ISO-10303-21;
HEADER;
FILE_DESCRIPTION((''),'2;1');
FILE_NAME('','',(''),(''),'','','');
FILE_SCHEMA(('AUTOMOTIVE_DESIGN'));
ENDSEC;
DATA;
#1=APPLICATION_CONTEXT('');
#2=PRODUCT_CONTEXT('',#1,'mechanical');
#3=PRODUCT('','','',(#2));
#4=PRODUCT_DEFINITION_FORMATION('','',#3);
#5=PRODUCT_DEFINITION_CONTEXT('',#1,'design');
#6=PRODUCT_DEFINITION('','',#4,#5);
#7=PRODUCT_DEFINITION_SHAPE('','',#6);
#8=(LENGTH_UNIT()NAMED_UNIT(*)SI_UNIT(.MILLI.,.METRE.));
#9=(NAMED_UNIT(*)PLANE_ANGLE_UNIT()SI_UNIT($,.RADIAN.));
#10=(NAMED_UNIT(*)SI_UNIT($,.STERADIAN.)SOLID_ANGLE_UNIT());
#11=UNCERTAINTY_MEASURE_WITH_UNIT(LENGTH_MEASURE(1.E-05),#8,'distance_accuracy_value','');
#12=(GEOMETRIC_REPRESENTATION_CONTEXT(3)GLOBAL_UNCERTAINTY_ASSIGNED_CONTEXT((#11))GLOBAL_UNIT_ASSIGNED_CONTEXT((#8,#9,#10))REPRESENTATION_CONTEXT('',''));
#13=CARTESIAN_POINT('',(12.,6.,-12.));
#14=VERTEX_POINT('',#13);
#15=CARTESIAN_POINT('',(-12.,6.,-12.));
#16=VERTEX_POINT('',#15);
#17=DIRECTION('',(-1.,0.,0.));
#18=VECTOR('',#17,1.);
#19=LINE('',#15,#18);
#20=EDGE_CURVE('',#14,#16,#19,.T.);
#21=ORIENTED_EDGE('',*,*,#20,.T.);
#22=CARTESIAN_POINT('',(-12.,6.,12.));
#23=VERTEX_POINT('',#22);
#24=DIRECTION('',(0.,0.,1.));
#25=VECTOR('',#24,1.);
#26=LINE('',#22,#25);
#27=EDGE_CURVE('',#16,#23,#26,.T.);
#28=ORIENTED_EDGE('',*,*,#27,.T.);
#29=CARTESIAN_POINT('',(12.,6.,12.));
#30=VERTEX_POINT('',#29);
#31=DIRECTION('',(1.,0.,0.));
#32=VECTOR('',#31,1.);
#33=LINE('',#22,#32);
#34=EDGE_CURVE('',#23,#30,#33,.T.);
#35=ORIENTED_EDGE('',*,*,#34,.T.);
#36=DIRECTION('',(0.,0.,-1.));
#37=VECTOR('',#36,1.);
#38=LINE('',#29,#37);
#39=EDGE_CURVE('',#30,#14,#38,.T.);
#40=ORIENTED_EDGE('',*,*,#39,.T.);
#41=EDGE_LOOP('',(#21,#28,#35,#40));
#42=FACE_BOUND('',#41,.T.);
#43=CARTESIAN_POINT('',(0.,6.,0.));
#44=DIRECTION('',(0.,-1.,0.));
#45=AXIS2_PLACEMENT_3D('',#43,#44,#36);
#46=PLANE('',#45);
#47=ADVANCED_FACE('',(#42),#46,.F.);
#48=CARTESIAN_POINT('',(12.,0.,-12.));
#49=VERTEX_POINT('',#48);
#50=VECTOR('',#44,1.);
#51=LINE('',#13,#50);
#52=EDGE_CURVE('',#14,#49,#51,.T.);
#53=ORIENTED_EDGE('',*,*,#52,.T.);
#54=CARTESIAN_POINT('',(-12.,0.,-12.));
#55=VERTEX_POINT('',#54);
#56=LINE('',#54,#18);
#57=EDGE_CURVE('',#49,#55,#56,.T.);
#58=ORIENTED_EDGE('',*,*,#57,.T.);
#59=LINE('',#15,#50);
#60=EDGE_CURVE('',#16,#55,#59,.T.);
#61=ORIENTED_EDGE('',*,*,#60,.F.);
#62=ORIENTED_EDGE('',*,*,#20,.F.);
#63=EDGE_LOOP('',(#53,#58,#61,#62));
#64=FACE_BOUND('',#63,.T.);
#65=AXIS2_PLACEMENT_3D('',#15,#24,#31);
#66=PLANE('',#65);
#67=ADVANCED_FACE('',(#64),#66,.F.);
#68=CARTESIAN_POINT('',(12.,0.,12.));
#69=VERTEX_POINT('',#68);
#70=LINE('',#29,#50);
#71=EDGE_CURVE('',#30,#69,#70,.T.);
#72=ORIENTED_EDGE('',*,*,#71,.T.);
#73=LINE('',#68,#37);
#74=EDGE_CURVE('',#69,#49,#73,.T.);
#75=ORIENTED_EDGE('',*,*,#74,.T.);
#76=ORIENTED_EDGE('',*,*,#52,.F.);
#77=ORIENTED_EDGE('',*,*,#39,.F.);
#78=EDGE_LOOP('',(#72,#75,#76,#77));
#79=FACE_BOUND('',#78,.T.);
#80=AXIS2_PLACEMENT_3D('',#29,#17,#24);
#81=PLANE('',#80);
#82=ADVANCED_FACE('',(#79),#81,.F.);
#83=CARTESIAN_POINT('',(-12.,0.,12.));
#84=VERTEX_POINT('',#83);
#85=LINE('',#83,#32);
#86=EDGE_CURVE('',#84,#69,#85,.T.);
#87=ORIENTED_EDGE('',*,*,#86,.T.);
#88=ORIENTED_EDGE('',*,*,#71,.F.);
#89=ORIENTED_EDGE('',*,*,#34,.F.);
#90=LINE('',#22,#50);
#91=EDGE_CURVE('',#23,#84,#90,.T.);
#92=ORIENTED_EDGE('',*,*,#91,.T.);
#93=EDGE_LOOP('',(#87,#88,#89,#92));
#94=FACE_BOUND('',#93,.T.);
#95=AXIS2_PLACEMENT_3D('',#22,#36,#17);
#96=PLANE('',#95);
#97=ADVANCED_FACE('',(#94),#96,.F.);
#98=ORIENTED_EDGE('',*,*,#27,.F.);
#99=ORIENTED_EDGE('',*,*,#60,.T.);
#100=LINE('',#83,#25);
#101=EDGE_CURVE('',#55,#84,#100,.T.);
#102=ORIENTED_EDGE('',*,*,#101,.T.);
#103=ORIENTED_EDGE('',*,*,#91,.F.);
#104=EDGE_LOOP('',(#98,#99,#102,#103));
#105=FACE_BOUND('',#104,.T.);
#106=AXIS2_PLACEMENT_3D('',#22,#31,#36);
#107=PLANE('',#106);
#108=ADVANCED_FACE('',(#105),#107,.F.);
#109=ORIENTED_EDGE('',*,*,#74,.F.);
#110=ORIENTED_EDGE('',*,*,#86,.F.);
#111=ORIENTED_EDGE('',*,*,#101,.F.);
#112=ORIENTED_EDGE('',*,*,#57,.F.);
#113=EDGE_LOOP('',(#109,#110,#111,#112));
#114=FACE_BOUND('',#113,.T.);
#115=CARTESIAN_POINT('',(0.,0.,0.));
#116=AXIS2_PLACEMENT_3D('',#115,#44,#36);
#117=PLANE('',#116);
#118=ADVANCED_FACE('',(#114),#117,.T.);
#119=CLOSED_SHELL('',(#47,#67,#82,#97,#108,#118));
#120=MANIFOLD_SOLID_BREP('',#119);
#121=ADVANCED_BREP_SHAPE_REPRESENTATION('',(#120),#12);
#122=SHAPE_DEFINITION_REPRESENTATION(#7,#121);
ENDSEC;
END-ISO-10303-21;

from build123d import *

# Parameters (mm, degrees)
SKETCH_1_W      = 24
SKETCH_1_H      = 24
EXTRUDE_1_DEPTH = 6


with BuildPart() as part:
    # Эскиз1 → Бобышка-Вытянуть1 (new body)
    with BuildSketch(Plane(origin=(0, 0, 0), x_dir=(1, 0, 0), z_dir=(0, 1, 0))):
        Rectangle(SKETCH_1_W, SKETCH_1_H)
    extrude(amount=EXTRUDE_1_DEPTH)


solid = part.part
